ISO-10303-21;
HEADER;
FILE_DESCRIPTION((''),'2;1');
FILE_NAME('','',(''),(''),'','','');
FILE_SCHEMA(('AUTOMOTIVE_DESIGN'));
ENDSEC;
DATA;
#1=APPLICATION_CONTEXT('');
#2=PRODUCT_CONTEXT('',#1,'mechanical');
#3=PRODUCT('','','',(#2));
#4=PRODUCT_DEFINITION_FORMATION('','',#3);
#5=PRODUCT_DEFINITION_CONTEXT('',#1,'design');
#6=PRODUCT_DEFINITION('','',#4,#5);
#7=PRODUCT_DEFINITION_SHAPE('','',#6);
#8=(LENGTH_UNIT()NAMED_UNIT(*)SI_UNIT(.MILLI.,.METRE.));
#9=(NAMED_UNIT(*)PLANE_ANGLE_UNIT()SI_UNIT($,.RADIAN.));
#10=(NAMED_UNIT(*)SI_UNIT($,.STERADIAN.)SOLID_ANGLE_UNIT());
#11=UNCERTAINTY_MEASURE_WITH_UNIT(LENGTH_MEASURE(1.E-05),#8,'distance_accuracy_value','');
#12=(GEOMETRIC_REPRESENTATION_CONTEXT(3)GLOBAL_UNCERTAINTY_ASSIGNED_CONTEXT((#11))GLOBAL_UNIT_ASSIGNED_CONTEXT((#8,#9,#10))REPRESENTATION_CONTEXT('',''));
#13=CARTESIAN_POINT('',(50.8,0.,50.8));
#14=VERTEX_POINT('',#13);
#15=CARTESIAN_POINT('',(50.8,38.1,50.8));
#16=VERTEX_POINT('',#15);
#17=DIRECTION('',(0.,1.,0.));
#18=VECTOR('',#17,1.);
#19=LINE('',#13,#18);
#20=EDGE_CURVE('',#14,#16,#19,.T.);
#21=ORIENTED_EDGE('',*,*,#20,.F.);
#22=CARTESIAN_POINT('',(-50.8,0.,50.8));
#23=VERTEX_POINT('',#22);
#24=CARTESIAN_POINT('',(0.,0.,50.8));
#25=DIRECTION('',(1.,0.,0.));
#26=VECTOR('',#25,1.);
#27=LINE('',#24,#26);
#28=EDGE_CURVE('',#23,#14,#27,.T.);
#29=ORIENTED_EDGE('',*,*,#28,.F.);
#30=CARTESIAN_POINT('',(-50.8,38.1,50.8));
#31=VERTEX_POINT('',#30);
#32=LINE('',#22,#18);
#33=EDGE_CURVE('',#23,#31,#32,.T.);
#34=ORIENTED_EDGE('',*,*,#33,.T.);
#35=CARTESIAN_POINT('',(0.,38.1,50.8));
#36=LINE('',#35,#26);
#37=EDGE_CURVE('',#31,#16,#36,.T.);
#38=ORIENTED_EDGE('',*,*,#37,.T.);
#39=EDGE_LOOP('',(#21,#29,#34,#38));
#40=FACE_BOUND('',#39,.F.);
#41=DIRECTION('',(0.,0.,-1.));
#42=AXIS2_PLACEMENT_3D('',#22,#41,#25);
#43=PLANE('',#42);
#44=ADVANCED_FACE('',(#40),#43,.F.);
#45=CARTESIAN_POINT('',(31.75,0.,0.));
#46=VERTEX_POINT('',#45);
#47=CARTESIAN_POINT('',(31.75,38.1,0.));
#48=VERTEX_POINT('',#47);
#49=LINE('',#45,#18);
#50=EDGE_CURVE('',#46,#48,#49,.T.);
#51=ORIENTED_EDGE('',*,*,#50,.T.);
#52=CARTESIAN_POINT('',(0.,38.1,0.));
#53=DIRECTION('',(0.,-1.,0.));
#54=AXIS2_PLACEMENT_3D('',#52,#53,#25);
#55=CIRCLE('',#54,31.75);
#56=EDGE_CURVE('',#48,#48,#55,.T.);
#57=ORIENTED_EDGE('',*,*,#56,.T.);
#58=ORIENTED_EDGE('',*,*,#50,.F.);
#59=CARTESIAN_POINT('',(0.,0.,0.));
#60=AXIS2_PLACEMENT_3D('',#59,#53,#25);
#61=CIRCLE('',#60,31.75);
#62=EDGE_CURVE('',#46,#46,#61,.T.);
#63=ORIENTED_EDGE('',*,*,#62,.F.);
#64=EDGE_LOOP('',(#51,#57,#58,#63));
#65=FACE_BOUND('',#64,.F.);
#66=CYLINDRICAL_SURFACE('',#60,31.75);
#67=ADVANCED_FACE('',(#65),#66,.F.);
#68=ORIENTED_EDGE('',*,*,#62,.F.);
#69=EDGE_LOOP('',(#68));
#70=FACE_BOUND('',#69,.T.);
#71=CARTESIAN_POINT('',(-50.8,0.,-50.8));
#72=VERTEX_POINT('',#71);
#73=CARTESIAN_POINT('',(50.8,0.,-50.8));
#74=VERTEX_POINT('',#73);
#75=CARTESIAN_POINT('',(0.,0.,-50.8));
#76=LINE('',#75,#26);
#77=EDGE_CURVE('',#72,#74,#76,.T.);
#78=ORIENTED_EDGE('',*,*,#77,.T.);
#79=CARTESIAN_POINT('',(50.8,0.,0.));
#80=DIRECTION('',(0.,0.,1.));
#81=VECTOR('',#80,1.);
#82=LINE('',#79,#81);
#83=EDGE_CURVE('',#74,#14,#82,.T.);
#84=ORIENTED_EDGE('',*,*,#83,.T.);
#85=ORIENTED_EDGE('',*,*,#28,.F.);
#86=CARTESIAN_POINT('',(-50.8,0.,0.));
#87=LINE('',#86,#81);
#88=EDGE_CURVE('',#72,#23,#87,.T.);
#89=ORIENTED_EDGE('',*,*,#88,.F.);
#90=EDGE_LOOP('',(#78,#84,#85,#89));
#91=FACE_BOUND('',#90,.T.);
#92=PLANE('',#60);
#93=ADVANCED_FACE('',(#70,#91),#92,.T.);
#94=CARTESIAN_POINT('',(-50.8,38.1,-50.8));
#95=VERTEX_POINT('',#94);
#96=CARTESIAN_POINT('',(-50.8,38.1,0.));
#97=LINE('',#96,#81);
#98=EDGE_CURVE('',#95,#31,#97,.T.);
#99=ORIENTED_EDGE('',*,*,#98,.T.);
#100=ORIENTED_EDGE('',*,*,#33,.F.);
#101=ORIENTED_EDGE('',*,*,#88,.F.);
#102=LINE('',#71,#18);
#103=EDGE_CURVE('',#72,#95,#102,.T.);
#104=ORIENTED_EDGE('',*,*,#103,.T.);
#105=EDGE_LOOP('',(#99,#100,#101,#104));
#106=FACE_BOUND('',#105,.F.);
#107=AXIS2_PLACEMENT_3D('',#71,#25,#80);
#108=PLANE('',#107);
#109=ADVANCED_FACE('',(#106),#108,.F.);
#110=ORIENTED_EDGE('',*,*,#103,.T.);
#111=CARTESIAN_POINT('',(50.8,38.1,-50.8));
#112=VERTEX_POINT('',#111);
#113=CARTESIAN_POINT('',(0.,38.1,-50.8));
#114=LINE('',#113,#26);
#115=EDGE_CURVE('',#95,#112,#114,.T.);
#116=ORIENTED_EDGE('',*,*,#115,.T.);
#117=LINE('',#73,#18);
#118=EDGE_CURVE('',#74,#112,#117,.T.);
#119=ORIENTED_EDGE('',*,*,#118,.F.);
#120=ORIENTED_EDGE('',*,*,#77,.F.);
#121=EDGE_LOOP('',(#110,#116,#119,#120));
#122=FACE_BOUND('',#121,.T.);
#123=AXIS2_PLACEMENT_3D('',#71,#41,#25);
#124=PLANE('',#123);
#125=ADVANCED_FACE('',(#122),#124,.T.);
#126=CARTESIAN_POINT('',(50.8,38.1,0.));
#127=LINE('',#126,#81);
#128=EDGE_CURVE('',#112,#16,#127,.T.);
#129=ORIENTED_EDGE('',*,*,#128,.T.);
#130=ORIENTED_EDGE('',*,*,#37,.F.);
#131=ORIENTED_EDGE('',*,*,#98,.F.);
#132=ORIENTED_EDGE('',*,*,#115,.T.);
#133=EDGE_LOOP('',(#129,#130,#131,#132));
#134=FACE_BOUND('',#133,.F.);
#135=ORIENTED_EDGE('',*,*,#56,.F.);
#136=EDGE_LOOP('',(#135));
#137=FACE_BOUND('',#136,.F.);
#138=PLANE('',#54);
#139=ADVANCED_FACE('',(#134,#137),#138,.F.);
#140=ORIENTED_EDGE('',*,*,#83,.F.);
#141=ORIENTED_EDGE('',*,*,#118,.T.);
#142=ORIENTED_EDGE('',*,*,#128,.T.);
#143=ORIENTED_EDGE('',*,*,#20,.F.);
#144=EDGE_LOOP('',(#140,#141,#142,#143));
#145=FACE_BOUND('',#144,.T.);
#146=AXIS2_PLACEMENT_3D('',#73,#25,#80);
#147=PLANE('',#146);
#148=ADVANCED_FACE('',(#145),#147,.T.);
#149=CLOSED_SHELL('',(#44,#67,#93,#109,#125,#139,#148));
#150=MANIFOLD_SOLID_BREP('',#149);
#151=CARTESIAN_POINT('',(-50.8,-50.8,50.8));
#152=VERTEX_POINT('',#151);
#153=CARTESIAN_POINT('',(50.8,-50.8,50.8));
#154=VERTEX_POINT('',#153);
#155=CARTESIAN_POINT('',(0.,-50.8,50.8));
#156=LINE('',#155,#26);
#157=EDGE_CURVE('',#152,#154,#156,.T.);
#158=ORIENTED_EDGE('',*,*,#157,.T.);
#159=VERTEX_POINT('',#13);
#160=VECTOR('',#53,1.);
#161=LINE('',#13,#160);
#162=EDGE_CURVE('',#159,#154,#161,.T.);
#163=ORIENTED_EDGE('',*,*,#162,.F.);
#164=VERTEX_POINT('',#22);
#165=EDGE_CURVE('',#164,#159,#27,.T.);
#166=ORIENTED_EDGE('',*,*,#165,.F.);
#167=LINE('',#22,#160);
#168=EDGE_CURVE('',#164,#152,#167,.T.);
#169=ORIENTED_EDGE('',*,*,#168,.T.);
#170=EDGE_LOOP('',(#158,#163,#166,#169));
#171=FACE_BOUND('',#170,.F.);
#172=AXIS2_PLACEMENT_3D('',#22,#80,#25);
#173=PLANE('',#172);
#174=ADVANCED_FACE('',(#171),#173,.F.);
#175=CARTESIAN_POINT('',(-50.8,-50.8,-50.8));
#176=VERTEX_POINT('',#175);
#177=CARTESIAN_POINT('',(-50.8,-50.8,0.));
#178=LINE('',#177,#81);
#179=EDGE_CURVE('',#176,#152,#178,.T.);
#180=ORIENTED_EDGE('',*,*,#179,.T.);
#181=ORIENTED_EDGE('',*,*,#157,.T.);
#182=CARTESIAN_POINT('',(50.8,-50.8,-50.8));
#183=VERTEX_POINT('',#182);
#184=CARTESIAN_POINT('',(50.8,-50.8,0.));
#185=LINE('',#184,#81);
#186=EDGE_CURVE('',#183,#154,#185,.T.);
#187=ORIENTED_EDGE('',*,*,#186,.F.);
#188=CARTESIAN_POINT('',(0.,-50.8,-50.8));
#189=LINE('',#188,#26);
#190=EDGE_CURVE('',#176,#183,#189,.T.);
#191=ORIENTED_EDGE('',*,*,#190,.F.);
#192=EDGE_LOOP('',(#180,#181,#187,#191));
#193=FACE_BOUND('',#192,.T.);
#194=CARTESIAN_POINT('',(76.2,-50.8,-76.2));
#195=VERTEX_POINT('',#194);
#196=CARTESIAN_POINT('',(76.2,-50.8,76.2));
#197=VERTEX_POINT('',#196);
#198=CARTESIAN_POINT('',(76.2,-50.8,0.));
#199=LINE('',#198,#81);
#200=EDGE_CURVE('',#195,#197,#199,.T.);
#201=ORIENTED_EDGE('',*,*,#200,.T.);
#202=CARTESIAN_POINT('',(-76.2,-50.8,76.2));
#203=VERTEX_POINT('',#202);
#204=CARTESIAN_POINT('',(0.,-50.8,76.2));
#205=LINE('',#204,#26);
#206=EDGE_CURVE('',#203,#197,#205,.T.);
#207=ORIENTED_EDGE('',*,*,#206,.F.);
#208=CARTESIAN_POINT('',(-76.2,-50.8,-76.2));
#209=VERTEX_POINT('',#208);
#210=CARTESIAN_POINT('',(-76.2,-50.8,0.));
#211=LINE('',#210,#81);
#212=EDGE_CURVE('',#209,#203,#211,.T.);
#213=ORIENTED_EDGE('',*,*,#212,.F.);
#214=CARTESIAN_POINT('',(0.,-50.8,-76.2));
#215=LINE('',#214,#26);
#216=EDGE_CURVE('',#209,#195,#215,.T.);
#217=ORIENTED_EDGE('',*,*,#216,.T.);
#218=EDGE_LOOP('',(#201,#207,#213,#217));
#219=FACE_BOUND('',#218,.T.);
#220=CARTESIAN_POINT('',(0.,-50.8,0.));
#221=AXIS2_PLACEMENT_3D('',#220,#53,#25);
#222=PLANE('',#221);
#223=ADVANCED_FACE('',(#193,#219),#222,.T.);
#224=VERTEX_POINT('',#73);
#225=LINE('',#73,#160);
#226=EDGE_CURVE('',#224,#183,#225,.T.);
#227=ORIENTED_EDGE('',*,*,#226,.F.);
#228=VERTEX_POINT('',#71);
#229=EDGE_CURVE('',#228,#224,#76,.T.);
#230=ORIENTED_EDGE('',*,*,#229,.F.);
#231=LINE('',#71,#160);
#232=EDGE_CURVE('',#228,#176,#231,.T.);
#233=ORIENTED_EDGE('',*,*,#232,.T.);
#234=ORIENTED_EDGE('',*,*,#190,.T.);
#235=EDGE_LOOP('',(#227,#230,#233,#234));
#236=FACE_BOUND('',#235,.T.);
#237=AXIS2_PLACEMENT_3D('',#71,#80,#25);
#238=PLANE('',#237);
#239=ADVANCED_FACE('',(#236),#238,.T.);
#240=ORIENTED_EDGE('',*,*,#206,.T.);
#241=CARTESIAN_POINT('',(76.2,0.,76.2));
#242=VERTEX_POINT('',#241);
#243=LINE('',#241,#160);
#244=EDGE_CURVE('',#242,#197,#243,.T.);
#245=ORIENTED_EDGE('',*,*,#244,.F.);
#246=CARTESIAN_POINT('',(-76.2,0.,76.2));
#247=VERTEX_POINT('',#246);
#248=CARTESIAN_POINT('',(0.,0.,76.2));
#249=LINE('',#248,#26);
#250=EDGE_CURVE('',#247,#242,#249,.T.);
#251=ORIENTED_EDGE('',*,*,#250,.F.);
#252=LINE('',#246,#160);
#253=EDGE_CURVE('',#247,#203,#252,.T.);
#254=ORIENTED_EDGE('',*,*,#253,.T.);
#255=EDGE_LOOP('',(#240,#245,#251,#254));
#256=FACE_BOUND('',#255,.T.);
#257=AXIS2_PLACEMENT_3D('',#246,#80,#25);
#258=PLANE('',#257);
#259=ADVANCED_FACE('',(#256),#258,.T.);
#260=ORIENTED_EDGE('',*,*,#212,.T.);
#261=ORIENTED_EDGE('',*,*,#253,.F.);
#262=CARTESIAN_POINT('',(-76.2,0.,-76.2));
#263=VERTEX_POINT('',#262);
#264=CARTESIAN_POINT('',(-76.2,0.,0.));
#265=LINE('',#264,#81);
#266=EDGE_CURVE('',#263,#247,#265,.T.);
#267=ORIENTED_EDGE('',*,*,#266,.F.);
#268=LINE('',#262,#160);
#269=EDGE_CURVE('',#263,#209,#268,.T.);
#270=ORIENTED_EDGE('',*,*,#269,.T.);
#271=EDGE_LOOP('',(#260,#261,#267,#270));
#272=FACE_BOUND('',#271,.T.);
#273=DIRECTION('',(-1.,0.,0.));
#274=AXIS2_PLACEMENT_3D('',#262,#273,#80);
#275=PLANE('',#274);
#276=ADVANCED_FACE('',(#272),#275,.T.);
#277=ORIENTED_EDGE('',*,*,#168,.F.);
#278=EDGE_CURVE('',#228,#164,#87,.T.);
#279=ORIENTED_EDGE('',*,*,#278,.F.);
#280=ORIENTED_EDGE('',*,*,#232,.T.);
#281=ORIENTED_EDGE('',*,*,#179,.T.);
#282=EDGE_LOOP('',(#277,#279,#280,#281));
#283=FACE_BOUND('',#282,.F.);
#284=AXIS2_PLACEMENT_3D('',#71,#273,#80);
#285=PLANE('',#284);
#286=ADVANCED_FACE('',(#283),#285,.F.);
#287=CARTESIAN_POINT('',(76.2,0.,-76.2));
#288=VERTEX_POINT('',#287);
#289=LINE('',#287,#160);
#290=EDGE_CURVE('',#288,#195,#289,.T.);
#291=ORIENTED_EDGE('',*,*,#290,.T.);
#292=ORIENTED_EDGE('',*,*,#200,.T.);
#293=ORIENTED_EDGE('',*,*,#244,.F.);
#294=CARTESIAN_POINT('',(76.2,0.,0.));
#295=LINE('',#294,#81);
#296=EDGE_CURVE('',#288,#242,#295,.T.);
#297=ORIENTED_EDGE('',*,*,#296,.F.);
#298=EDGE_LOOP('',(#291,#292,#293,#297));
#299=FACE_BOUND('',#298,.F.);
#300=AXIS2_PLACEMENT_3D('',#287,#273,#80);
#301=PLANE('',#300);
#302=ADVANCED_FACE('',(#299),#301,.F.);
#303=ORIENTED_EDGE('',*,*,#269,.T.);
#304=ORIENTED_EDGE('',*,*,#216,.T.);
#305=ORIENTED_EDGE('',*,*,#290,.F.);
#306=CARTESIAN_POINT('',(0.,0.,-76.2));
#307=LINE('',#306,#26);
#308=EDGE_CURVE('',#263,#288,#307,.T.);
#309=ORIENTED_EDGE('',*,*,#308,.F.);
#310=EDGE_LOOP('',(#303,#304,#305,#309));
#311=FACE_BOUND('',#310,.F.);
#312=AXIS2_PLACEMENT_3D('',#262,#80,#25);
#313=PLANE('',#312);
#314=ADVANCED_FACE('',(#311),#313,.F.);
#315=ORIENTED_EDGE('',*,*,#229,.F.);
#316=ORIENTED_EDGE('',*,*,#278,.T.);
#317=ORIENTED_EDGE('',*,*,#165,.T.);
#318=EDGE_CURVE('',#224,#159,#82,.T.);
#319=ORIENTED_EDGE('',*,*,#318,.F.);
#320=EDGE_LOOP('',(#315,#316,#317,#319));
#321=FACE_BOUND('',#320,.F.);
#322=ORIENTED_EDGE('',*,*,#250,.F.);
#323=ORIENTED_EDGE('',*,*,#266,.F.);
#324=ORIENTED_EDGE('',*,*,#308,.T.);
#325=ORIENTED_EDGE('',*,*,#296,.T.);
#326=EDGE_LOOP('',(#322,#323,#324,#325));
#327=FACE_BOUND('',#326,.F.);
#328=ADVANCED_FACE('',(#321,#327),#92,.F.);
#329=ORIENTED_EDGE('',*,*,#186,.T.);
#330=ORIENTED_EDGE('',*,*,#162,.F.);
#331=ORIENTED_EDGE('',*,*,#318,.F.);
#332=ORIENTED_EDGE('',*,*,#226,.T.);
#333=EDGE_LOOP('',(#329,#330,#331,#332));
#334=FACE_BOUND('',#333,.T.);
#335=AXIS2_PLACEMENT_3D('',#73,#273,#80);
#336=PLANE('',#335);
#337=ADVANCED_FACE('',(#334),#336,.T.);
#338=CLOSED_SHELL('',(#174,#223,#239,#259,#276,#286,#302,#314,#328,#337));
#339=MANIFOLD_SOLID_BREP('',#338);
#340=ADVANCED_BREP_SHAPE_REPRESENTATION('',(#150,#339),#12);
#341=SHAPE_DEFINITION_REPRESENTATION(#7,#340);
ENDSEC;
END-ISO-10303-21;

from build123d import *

# Parameters (mm, degrees)
F0_W     = 101.6
F0_H     = 101.6
F0_R     = 31.75
F1_DEPTH = 38.1
F0_W_2   = 152.4
F0_H_2   = 152.4
F2_DEPTH = 50.8


with BuildPart() as f1:
    # F0 (on Front) → F1 (new body)
    with BuildSketch(Plane.XZ):
        Rectangle(F0_W, F0_H)
        Circle(F0_R, mode=Mode.SUBTRACT)
    extrude(amount=-F1_DEPTH)

    # F0 (on Front) → F2 (join)
    with BuildSketch(Plane.XZ):
        Rectangle(F0_W_2, F0_H_2)
        Rectangle(F0_W, F0_H, mode=Mode.SUBTRACT)
    extrude(amount=F2_DEPTH)


solid = f1.part
